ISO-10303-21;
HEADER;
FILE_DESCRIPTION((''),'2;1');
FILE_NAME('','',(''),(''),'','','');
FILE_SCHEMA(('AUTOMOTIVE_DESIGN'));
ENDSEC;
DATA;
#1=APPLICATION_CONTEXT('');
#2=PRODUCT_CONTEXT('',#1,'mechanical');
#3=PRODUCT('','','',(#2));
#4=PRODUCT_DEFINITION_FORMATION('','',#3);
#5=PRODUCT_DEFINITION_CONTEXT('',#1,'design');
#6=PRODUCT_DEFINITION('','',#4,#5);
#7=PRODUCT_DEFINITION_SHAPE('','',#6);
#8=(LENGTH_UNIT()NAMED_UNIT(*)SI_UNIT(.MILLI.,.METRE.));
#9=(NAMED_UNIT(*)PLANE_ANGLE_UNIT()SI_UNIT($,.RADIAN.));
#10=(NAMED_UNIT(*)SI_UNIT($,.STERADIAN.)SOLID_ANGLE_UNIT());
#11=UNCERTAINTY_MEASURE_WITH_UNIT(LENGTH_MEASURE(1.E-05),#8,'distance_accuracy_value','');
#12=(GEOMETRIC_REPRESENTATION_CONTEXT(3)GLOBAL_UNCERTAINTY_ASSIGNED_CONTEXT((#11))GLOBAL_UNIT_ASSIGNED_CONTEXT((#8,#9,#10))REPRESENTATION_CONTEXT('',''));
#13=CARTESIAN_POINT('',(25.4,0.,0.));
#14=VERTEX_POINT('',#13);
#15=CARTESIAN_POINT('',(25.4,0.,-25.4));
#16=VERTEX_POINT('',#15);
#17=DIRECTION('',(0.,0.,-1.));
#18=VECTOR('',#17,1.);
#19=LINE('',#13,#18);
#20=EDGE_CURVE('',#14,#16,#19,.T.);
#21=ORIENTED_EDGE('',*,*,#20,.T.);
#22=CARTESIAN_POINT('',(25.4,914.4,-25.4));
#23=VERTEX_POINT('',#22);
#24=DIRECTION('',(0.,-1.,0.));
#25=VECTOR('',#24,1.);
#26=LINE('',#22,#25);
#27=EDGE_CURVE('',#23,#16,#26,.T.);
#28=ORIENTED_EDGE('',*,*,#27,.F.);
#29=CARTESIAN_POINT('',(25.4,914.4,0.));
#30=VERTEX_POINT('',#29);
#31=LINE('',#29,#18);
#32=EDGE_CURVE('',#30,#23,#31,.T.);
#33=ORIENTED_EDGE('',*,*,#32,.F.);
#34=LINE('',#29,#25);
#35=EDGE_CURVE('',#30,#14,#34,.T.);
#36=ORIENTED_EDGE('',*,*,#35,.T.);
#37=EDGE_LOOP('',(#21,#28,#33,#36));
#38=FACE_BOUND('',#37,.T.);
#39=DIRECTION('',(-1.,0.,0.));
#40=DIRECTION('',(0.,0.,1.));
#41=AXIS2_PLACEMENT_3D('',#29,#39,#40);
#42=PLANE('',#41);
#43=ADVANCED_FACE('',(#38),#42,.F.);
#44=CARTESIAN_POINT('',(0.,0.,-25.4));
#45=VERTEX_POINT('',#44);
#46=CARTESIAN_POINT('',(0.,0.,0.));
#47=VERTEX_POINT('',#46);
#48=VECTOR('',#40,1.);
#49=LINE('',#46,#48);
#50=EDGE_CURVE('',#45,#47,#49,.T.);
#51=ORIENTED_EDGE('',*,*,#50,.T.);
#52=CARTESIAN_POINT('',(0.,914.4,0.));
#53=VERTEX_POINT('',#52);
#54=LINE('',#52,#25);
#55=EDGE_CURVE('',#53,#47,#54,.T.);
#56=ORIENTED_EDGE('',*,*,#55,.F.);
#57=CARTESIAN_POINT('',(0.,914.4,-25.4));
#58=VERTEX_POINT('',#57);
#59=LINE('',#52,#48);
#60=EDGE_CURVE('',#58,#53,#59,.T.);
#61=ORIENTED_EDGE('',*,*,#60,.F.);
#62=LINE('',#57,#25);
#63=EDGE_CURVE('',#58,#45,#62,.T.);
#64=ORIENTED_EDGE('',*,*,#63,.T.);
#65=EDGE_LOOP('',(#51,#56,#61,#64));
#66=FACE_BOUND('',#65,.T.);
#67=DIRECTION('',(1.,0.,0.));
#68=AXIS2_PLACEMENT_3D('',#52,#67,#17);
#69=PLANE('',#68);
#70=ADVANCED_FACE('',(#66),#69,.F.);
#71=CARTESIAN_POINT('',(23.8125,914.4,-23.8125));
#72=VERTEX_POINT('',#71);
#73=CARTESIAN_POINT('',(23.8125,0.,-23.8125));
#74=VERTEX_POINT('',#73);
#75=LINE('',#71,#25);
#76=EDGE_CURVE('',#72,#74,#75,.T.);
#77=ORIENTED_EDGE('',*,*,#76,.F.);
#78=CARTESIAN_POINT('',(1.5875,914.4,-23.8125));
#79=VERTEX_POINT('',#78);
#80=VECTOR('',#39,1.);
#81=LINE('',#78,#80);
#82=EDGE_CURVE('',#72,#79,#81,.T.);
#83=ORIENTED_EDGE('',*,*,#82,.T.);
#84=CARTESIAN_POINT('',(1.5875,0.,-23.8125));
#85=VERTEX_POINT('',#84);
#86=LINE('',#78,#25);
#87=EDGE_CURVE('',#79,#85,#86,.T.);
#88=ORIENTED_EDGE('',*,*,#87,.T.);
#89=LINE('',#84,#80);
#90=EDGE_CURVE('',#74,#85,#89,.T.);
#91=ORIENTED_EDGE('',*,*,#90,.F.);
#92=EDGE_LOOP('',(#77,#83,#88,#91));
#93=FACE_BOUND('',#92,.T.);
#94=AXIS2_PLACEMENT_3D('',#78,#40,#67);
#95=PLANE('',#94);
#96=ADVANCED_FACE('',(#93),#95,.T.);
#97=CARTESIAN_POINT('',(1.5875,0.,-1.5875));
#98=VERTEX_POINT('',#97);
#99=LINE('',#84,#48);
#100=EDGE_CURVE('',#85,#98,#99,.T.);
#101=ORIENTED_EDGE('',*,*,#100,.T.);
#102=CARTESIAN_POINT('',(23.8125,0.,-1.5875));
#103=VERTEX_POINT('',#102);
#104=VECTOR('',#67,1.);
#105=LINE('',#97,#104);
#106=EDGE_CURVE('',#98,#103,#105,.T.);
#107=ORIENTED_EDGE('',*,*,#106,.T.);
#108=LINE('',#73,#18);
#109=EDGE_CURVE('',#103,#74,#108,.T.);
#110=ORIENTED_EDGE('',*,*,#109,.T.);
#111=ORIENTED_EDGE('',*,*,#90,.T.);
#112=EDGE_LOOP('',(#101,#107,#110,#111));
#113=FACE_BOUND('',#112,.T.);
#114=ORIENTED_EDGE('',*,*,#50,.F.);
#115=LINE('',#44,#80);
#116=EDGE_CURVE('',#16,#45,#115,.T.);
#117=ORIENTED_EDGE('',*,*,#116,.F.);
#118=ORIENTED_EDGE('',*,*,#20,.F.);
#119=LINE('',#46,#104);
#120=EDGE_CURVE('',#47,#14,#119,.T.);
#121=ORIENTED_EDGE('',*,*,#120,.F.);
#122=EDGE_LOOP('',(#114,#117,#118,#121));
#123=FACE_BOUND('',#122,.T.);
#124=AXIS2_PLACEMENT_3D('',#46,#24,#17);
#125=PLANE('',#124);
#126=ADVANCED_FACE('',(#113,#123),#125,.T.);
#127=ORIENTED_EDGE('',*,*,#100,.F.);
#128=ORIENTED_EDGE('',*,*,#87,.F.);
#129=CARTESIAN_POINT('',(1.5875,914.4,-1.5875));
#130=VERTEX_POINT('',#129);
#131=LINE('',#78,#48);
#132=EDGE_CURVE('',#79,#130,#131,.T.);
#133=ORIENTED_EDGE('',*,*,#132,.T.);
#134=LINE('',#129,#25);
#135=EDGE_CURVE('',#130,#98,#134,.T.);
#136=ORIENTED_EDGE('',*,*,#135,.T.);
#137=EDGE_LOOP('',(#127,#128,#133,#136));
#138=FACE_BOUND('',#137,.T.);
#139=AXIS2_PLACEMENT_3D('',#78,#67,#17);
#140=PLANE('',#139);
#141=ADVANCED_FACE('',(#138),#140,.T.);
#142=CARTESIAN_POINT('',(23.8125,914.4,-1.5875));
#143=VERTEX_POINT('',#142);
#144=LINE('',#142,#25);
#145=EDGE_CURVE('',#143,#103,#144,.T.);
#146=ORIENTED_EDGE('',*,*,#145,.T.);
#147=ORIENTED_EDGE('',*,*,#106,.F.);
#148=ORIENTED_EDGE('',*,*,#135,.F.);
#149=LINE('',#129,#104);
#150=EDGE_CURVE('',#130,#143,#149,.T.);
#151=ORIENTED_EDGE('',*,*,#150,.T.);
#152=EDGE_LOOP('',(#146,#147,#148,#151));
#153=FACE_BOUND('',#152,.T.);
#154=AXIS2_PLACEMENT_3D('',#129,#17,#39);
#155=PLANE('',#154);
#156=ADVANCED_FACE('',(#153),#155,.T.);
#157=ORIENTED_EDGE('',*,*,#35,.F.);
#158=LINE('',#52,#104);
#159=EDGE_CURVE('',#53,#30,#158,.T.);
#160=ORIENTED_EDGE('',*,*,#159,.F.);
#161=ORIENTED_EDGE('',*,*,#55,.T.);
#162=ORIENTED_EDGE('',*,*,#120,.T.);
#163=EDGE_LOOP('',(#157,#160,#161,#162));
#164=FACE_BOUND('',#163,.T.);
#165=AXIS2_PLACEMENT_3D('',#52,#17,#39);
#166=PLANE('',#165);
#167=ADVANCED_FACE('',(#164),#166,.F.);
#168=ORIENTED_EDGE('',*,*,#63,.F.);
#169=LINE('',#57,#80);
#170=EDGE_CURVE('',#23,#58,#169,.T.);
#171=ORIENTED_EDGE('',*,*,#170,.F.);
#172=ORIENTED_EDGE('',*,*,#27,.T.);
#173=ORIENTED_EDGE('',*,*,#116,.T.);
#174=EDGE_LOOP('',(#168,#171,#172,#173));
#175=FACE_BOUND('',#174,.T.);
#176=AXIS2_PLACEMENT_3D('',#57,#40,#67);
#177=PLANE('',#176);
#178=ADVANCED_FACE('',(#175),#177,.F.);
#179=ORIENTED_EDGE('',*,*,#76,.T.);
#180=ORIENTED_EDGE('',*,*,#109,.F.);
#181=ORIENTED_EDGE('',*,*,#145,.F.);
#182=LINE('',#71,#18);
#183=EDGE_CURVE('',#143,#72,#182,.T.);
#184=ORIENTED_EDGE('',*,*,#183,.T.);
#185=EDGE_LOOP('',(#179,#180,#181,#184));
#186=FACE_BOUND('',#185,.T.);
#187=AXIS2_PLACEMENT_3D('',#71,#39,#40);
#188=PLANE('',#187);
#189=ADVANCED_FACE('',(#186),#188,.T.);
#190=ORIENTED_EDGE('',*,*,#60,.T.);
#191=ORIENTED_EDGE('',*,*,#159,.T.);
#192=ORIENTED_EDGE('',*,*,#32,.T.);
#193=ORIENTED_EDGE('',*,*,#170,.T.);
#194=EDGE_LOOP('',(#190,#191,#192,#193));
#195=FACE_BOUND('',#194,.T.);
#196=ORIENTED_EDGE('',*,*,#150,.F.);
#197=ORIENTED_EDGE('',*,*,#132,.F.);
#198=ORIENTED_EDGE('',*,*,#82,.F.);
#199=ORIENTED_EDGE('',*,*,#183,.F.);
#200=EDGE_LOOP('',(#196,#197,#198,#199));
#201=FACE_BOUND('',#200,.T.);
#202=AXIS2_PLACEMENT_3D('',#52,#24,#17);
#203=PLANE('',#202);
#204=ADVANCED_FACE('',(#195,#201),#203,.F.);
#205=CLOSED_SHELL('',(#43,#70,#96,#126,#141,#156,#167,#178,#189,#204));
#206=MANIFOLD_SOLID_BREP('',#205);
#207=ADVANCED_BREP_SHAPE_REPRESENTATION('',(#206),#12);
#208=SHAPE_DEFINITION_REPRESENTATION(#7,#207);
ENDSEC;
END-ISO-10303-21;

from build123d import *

# Parameters (mm, degrees)
SKETCH1_W           = 25.4
SKETCH1_H           = 25.4
SKETCH1_W_2         = 22.225
SKETCH1_H_2         = 22.225
BOSS_EXTRUDE1_DEPTH = 914.4


with BuildPart() as part:
    # Sketch1 → Boss-Extrude1 (new body)
    with BuildSketch(Plane(origin=(0, 0, 0), x_dir=(1, 0, 0), z_dir=(0, 1, 0))):
        with Locations((12.7, 12.7)):
            Rectangle(SKETCH1_W, SKETCH1_H)
        with Locations((12.7, 12.7)):
            Rectangle(SKETCH1_W_2, SKETCH1_H_2, mode=Mode.SUBTRACT)
    extrude(amount=BOSS_EXTRUDE1_DEPTH)


solid = part.part
